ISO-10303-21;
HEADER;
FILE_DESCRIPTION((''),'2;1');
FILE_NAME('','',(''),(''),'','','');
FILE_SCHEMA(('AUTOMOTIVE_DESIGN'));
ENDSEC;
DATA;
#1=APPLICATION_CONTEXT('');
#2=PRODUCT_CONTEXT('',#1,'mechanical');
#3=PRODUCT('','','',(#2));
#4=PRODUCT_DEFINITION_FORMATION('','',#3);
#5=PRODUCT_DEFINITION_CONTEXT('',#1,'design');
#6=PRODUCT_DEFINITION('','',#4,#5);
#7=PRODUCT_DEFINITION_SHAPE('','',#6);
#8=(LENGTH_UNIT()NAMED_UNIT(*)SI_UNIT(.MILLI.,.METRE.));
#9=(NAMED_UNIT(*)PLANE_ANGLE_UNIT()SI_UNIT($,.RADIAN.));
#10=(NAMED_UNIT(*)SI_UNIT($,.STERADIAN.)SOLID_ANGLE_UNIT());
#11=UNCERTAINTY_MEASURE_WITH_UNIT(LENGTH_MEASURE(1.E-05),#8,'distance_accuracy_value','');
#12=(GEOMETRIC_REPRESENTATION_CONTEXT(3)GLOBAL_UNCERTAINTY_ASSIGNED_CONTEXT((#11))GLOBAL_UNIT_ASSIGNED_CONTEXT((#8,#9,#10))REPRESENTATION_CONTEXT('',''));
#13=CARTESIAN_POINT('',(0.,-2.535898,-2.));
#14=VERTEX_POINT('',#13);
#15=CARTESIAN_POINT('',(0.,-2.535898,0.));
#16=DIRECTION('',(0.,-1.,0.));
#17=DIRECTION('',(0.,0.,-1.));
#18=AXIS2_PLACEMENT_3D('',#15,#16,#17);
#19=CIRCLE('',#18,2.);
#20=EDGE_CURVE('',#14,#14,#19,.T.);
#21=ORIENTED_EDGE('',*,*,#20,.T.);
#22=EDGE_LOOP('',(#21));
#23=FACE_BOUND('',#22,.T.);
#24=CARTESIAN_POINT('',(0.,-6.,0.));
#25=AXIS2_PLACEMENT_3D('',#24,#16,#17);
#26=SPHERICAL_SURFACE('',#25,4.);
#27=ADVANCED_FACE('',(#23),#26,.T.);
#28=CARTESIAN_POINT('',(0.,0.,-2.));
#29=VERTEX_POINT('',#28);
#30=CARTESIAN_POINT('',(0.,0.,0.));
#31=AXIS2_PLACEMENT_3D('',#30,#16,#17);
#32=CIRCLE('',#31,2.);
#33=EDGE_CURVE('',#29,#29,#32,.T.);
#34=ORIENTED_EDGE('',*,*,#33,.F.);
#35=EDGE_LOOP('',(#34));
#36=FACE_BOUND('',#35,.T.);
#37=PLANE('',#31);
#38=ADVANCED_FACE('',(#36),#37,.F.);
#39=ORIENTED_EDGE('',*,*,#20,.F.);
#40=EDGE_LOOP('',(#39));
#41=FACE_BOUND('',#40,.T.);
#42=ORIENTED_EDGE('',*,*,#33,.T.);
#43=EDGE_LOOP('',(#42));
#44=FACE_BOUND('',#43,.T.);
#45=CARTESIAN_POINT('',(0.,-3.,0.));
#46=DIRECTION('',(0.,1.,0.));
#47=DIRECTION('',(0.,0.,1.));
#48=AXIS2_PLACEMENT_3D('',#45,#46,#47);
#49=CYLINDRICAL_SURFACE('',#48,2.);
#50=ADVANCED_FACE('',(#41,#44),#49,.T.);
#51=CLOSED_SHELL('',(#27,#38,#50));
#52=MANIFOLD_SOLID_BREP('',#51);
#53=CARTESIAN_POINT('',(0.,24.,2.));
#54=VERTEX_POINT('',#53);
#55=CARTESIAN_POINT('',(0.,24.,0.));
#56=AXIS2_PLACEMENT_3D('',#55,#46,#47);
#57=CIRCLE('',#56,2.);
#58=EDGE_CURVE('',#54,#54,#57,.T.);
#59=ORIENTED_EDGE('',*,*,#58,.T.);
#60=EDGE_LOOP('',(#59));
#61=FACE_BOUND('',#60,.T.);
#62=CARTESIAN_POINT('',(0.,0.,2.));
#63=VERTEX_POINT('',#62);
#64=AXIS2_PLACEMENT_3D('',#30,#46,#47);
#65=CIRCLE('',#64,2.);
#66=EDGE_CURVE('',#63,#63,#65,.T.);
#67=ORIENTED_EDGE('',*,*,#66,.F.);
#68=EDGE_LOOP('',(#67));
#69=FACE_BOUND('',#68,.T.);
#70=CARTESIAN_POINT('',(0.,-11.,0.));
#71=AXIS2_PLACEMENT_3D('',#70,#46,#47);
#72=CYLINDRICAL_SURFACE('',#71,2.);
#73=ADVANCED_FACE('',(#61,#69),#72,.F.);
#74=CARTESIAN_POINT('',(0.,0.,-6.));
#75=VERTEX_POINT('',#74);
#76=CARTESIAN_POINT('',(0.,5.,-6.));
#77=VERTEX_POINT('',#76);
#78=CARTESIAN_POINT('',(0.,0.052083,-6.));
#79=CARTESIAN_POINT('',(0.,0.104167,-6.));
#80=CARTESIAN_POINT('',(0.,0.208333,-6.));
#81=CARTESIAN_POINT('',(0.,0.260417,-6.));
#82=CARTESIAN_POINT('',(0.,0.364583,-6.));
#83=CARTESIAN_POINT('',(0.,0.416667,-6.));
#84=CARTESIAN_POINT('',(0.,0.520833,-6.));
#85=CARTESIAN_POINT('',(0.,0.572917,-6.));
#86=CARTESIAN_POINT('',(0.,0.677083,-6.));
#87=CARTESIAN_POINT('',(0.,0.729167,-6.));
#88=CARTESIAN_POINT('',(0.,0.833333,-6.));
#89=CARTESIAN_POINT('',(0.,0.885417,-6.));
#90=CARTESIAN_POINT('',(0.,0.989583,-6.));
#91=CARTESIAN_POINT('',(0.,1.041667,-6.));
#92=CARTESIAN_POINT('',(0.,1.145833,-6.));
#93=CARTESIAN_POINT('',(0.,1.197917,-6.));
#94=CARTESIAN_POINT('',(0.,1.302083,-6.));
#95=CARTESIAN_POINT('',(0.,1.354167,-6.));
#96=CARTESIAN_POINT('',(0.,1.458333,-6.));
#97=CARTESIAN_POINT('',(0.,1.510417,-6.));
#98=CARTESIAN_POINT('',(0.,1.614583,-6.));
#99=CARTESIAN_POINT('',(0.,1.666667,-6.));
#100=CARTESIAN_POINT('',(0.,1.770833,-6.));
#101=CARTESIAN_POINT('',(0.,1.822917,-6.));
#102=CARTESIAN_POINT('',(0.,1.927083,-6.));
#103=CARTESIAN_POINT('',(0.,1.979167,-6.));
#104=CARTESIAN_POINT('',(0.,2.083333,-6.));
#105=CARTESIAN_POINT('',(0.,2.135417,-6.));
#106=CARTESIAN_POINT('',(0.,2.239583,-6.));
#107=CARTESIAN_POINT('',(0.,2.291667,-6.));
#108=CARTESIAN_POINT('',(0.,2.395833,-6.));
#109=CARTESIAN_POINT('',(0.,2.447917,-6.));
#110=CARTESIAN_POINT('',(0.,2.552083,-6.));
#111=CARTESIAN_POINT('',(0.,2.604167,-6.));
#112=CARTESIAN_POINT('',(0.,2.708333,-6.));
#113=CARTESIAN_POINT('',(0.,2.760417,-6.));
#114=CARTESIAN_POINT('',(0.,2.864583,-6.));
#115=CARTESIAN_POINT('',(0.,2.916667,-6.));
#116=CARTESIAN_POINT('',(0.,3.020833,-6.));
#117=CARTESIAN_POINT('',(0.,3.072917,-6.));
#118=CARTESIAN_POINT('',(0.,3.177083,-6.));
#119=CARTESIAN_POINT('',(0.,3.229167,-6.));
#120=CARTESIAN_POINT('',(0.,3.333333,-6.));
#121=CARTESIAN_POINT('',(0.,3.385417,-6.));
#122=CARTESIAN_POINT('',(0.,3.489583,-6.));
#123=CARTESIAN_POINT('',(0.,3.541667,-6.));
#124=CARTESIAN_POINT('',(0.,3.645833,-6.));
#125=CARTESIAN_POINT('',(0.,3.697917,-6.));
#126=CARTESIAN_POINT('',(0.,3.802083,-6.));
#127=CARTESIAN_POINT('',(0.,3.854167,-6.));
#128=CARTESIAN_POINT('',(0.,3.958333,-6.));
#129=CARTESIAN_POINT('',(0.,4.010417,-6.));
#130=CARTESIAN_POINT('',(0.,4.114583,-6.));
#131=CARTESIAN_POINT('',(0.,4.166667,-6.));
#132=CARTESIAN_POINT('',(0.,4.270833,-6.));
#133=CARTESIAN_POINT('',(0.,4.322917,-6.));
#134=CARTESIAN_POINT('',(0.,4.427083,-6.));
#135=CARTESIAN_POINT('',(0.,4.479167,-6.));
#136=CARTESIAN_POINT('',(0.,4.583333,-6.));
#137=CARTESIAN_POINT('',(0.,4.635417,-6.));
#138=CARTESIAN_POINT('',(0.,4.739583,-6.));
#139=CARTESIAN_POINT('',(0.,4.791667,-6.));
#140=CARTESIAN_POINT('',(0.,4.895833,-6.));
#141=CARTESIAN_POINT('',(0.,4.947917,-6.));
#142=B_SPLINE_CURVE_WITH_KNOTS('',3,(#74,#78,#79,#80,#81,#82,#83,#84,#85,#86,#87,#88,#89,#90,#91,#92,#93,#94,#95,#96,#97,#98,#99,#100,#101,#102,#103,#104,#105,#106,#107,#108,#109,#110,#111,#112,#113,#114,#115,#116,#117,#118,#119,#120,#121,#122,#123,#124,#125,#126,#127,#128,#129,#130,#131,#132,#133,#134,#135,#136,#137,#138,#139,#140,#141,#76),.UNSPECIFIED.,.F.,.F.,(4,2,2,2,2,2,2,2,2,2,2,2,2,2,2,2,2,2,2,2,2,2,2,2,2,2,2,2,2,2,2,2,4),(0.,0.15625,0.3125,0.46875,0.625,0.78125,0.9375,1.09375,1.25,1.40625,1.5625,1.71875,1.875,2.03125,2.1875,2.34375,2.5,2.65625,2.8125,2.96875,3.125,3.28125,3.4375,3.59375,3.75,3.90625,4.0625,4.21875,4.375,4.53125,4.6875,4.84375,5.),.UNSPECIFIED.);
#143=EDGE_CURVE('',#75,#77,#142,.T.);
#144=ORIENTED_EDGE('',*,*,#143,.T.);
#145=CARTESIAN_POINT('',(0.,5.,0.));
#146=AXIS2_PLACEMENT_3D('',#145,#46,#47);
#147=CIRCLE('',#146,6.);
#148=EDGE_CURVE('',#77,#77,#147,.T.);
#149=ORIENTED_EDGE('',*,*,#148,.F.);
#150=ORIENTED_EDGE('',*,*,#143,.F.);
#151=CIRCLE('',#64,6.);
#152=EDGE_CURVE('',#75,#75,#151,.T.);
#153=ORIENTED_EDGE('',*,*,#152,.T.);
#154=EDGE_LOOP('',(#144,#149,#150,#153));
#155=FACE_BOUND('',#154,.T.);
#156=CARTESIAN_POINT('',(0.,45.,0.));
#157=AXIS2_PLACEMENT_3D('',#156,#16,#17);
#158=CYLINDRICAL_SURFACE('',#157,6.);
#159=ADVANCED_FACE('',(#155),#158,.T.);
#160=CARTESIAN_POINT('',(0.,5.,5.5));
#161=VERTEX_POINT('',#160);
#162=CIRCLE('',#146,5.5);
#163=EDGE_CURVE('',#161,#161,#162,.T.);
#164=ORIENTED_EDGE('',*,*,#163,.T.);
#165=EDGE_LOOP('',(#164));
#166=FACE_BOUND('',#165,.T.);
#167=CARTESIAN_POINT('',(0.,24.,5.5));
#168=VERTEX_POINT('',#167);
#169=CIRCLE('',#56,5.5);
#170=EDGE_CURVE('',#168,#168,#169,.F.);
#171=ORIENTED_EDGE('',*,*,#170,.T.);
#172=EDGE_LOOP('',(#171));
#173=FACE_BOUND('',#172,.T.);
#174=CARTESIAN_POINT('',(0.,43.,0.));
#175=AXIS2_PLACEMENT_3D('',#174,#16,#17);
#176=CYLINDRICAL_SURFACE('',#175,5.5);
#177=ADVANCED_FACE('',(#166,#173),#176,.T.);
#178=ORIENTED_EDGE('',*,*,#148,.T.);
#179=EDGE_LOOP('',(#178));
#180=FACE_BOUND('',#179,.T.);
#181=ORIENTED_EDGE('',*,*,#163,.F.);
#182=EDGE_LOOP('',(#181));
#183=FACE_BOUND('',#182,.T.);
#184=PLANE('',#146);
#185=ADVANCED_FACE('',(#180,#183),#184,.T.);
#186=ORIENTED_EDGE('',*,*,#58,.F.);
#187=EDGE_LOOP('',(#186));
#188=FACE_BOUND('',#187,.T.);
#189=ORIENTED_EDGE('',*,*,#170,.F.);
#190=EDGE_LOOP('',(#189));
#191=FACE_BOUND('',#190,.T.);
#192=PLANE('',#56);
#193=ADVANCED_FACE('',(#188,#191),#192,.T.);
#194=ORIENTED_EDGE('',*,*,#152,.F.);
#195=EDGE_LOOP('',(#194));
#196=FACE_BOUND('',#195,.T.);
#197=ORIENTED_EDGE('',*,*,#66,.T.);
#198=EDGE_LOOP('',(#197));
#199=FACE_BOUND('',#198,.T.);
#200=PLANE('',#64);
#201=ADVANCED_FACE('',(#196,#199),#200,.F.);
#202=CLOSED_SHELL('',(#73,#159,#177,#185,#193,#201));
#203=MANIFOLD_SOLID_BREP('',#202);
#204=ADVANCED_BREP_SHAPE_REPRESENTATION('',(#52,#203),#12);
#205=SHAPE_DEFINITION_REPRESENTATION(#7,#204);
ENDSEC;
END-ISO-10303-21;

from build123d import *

# Parameters (mm, degrees)
SKETCH1_R           = 6
BOSS_EXTRUDE1_DEPTH = 45
SKETCH7_W           = 15
SKETCH7_H           = 15
CUT_EXTRUDE5_DEPTH  = 25
SKETCH4_R           = 6
SKETCH4_R_2         = 5.5
CUT_EXTRUDE6_DEPTH  = 38
SKETCH5_R           = 2
CUT_EXTRUDE7_DEPTH  = 56
SKETCH8_R           = 2
BOSS_EXTRUDE2_DEPTH = 3


with BuildPart() as part:
    # Sketch1 → Boss-Extrude1 (new body)
    with BuildSketch(Plane(origin=(0, 0, 0), x_dir=(1, 0, 0), z_dir=(0, 1, 0))):
        with Locations(Location((0, 0, 0), (0, 0, 90))):
            Circle(SKETCH1_R)
    extrude(amount=BOSS_EXTRUDE1_DEPTH)

    # Sketch7 → Cut-Extrude5 (cut)
    with BuildSketch(Plane(origin=(0, 24, 0), x_dir=(1, 0, 0), z_dir=(0, 1, 0))):
        Rectangle(SKETCH7_W, SKETCH7_H)
    extrude(amount=CUT_EXTRUDE5_DEPTH, mode=Mode.SUBTRACT)

    # Sketch4 → Cut-Extrude6 (cut)
    with BuildSketch(Plane(origin=(0, 5, 0), x_dir=(1, 0, 0), z_dir=(0, 1, 0))):
        with Locations(Location((0, 0, 0), (0, 0, 90))):
            Circle(SKETCH4_R)
        with Locations(Location((0, 0, 0), (0, 0, 270))):
            Circle(SKETCH4_R_2, mode=Mode.SUBTRACT)
    extrude(amount=CUT_EXTRUDE6_DEPTH, mode=Mode.SUBTRACT)

    # Sketch5 → Cut-Extrude7 (cut)
    with BuildSketch(Plane(origin=(0, 45, 0), x_dir=(1, 0, 0), z_dir=(0, 1, 0))):
        with Locations(Location((0, 0, 0), (0, 0, 270))):
            Circle(SKETCH5_R)
    extrude(amount=-CUT_EXTRUDE7_DEPTH, mode=Mode.SUBTRACT)


with BuildPart() as body_2:
    # Sketch8 → Boss-Extrude2 (new body)
    with BuildSketch(Plane.XZ):
        with Locations(Location((0, 0, 0), (0, 0, 270))):
            Circle(SKETCH8_R)
    extrude(amount=BOSS_EXTRUDE2_DEPTH)

    # Sketch9 → Revolve2 (revolve)
    with BuildSketch(Plane(origin=(0, -6, 0), x_dir=(1, 0, 0), z_dir=(0, 1, 0))):
        with BuildLine():
            Line((-4, 0), (4, 0))
            ThreePointArc((4, 0), (0, 4), (-4, 0))
        make_face()
    revolve(axis=Axis((-4, -6, 0), (1, 0, 0)))


solid = Compound([part.part, body_2.part])
